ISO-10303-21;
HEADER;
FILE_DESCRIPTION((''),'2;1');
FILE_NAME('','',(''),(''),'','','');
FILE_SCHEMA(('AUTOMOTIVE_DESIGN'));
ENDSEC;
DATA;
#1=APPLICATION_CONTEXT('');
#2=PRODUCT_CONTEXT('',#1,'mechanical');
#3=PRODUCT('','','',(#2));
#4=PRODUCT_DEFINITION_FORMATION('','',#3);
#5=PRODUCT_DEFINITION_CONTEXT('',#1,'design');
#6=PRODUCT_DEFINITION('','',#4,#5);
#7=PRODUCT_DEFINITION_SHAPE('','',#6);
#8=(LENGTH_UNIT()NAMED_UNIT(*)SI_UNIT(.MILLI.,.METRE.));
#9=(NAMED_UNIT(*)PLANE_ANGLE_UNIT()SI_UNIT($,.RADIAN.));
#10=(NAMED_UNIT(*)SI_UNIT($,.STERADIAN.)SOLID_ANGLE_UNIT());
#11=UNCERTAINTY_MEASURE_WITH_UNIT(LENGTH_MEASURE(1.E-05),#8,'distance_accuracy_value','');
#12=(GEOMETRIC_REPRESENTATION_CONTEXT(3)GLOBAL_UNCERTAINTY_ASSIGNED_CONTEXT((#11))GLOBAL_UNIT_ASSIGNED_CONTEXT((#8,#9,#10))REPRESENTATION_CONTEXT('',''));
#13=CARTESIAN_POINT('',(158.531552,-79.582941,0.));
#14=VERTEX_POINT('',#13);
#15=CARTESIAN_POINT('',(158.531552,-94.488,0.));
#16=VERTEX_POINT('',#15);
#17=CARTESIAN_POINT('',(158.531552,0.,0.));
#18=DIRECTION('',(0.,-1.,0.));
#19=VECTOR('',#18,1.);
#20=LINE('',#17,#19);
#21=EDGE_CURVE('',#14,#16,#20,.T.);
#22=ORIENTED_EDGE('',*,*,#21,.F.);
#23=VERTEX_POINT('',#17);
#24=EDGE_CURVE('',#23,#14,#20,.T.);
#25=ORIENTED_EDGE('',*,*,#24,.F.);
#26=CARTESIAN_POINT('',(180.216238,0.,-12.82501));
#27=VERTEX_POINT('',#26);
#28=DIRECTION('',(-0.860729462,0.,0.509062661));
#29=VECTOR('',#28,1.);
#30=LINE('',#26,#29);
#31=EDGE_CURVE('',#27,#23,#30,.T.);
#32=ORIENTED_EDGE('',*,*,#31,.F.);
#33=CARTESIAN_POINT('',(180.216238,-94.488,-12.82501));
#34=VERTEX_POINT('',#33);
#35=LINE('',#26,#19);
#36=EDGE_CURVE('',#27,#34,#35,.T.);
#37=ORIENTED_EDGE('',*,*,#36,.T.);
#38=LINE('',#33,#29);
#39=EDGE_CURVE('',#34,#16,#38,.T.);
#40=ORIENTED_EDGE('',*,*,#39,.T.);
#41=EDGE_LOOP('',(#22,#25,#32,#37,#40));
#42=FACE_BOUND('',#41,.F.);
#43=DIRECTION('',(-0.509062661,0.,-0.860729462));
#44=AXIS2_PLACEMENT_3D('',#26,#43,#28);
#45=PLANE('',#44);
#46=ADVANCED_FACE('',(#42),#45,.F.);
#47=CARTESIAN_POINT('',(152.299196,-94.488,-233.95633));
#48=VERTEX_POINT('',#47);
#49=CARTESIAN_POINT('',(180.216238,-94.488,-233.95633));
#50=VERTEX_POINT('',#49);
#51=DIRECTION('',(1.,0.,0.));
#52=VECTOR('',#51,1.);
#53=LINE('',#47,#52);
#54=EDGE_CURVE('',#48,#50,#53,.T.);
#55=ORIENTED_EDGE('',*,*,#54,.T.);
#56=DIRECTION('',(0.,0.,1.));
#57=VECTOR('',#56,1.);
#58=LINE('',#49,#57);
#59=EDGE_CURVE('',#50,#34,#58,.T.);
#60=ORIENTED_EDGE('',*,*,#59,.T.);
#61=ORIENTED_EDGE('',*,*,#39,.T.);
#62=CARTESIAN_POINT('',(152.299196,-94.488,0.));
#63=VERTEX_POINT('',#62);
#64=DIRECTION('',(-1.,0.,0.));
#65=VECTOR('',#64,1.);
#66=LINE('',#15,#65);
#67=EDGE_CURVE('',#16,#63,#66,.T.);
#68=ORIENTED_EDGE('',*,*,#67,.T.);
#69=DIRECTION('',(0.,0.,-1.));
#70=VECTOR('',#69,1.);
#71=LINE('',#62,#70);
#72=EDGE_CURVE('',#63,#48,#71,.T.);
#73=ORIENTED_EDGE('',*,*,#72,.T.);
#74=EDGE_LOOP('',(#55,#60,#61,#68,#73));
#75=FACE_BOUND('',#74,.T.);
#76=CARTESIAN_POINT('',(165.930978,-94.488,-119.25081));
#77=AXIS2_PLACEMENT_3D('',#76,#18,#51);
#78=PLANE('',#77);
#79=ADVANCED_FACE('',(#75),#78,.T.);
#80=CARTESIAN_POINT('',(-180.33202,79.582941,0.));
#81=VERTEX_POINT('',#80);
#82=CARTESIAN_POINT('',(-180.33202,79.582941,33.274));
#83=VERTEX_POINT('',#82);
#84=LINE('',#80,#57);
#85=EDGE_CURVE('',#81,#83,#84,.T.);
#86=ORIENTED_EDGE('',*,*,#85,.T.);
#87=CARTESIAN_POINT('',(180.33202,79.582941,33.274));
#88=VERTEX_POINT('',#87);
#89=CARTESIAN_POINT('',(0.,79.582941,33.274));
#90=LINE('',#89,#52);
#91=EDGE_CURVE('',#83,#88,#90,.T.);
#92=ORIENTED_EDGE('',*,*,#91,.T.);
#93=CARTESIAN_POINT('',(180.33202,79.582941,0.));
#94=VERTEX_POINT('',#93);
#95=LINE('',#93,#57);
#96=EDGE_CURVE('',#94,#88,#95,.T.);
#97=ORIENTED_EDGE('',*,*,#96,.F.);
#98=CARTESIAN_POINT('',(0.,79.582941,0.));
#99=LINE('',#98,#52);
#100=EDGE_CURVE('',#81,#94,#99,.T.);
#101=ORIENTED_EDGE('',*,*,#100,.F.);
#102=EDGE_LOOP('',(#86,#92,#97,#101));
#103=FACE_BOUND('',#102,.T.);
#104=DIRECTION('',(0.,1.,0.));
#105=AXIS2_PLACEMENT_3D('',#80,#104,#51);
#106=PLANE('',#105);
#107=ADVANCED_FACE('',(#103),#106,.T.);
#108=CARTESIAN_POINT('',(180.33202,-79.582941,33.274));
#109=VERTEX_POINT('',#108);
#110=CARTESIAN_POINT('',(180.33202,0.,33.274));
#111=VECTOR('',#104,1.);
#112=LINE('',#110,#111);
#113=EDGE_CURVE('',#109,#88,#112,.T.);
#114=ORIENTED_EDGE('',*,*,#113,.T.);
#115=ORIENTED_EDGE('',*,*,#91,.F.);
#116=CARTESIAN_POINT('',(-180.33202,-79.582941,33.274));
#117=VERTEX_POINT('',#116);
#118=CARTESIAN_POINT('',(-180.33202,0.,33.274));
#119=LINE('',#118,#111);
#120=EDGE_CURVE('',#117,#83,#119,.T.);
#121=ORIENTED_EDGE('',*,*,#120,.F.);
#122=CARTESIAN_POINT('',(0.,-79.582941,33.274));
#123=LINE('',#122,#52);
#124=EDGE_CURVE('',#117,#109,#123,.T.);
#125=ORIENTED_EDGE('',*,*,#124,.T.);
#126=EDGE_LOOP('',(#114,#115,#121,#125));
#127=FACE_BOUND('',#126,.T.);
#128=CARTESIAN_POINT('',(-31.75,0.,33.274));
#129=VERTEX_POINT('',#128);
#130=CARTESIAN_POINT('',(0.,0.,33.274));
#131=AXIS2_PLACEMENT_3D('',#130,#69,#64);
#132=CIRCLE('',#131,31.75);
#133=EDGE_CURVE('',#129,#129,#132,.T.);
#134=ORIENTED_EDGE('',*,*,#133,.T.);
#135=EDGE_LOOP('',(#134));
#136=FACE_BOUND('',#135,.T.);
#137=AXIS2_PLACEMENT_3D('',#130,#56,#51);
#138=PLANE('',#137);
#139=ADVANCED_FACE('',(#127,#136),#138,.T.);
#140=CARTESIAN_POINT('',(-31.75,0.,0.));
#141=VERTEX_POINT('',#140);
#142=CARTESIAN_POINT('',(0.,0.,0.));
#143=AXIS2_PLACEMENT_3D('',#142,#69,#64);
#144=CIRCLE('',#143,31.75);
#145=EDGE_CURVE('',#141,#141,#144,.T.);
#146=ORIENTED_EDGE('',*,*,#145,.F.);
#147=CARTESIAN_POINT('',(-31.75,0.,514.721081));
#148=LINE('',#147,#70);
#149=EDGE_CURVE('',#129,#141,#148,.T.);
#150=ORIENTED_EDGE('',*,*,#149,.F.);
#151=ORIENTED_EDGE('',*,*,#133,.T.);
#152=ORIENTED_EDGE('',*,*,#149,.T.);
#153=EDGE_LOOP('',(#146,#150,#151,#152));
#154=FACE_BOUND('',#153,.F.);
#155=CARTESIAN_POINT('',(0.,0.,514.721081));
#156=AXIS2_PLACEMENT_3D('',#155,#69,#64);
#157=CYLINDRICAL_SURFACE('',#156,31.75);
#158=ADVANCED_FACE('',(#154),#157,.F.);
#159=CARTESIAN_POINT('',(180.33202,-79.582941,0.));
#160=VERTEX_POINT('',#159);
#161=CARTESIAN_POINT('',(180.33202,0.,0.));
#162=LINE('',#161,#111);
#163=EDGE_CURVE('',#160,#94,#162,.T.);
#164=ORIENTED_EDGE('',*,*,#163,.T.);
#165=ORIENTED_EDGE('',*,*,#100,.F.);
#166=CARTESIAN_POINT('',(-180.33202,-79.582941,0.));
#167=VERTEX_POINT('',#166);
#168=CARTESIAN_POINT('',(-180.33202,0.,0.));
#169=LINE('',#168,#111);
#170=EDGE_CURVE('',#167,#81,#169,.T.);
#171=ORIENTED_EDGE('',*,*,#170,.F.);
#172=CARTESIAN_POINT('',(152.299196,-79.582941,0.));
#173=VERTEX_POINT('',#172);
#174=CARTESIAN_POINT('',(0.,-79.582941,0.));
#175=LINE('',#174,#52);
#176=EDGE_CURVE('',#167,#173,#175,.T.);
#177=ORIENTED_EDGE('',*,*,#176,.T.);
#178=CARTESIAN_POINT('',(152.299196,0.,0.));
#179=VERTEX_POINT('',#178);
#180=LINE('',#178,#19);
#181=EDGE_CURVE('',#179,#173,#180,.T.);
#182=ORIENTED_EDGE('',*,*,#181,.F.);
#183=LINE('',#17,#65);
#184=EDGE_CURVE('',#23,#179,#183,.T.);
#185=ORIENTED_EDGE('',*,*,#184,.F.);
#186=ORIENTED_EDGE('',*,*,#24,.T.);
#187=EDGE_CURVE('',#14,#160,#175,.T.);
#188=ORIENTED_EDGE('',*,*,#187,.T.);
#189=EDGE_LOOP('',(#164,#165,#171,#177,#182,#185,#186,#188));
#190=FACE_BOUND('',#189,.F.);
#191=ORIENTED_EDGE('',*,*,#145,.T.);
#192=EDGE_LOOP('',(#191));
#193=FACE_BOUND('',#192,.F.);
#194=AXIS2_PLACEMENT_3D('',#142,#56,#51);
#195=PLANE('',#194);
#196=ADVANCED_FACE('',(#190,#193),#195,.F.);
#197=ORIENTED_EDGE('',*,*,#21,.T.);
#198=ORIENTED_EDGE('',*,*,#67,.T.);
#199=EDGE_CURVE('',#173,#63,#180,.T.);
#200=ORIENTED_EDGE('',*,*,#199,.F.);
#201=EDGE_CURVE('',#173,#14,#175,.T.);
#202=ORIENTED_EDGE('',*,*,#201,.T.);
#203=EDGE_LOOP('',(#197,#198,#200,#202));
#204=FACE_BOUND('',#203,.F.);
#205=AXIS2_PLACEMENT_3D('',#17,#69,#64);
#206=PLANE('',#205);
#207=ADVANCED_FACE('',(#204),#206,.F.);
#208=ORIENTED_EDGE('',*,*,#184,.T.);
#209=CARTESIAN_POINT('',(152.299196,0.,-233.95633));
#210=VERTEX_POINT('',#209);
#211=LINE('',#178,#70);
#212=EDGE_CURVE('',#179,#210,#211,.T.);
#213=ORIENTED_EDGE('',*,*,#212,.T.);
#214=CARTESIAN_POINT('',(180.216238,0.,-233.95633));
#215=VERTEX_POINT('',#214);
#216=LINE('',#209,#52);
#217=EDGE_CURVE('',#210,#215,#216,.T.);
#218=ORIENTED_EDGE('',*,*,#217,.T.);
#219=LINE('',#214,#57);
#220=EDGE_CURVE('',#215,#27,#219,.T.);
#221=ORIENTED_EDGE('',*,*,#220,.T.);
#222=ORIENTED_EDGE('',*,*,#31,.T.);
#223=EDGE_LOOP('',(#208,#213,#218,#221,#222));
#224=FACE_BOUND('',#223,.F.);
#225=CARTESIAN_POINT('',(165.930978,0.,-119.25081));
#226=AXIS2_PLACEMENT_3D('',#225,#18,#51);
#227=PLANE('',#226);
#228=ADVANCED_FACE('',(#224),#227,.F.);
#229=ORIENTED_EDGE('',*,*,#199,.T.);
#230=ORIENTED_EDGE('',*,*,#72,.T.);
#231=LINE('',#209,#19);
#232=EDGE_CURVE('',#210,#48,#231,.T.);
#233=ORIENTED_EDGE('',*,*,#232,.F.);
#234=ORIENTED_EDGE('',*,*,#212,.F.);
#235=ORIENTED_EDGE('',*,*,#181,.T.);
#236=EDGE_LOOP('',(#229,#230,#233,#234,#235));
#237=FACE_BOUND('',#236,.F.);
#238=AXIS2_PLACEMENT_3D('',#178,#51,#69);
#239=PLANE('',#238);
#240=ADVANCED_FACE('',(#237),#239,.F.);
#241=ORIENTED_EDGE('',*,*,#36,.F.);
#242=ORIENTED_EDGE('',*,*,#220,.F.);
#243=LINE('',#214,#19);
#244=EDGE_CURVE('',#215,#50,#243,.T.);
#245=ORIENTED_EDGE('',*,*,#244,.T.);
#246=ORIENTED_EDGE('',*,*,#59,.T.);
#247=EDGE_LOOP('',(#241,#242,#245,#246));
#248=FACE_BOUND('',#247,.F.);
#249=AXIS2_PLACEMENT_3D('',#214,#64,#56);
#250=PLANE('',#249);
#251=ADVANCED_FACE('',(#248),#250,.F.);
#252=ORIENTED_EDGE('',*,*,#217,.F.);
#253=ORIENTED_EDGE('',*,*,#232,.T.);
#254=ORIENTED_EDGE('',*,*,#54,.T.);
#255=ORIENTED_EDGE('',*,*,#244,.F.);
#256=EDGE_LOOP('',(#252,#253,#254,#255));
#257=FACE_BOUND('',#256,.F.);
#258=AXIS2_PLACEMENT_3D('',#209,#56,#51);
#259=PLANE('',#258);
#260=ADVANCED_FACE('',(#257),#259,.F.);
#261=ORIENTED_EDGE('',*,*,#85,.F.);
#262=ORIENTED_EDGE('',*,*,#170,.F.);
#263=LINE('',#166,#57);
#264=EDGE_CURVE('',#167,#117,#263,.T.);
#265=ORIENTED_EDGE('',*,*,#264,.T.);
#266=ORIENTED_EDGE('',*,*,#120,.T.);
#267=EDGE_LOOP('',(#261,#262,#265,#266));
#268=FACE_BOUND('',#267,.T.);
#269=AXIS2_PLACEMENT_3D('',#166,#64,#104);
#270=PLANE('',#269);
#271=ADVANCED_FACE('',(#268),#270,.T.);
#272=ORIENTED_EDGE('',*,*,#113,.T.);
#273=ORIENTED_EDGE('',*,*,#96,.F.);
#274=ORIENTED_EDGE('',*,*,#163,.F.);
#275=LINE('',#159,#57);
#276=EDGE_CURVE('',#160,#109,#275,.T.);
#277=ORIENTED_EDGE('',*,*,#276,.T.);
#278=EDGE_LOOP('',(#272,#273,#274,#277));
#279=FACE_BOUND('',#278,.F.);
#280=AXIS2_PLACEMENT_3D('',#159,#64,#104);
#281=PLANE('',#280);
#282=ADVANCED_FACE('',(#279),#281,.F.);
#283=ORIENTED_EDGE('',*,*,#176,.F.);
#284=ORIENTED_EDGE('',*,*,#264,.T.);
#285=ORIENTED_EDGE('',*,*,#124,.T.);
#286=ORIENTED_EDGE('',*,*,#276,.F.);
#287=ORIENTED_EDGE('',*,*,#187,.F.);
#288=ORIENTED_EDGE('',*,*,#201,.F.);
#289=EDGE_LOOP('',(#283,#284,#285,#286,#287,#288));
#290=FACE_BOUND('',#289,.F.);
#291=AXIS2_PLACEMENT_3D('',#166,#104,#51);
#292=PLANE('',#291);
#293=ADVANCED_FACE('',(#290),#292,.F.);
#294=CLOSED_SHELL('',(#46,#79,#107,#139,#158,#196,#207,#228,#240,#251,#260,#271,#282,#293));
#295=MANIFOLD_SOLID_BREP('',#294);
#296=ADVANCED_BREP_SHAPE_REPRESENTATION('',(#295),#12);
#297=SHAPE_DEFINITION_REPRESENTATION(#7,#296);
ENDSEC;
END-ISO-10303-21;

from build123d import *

# Parameters (mm, degrees)
F0_W     = 360.66404
F0_H     = 159.165882
F1_DEPTH = 33.274
F3_DEPTH = 94.488
F5_D     = 63.5


with BuildPart() as f1:
    # F0 (on Top) → F1 (new body)
    with BuildSketch(Plane.XY):
        Rectangle(F0_W, F0_H)
    extrude(amount=F1_DEPTH)

    # F2 (on Front) → F3 (join)
    with BuildSketch(Plane.XZ):
        Polygon((158.531552, 0), (152.299196, 0), (152.299196, -233.95633), (180.216238, -233.95633), (180.216238, -12.82501), align=None)
    extrude(amount=F3_DEPTH)

    # F5 (through all)
    with Locations(Plane.XY.offset(33.274)):
        with Locations((0, 0)):
            Hole(F5_D / 2)


solid = f1.part
